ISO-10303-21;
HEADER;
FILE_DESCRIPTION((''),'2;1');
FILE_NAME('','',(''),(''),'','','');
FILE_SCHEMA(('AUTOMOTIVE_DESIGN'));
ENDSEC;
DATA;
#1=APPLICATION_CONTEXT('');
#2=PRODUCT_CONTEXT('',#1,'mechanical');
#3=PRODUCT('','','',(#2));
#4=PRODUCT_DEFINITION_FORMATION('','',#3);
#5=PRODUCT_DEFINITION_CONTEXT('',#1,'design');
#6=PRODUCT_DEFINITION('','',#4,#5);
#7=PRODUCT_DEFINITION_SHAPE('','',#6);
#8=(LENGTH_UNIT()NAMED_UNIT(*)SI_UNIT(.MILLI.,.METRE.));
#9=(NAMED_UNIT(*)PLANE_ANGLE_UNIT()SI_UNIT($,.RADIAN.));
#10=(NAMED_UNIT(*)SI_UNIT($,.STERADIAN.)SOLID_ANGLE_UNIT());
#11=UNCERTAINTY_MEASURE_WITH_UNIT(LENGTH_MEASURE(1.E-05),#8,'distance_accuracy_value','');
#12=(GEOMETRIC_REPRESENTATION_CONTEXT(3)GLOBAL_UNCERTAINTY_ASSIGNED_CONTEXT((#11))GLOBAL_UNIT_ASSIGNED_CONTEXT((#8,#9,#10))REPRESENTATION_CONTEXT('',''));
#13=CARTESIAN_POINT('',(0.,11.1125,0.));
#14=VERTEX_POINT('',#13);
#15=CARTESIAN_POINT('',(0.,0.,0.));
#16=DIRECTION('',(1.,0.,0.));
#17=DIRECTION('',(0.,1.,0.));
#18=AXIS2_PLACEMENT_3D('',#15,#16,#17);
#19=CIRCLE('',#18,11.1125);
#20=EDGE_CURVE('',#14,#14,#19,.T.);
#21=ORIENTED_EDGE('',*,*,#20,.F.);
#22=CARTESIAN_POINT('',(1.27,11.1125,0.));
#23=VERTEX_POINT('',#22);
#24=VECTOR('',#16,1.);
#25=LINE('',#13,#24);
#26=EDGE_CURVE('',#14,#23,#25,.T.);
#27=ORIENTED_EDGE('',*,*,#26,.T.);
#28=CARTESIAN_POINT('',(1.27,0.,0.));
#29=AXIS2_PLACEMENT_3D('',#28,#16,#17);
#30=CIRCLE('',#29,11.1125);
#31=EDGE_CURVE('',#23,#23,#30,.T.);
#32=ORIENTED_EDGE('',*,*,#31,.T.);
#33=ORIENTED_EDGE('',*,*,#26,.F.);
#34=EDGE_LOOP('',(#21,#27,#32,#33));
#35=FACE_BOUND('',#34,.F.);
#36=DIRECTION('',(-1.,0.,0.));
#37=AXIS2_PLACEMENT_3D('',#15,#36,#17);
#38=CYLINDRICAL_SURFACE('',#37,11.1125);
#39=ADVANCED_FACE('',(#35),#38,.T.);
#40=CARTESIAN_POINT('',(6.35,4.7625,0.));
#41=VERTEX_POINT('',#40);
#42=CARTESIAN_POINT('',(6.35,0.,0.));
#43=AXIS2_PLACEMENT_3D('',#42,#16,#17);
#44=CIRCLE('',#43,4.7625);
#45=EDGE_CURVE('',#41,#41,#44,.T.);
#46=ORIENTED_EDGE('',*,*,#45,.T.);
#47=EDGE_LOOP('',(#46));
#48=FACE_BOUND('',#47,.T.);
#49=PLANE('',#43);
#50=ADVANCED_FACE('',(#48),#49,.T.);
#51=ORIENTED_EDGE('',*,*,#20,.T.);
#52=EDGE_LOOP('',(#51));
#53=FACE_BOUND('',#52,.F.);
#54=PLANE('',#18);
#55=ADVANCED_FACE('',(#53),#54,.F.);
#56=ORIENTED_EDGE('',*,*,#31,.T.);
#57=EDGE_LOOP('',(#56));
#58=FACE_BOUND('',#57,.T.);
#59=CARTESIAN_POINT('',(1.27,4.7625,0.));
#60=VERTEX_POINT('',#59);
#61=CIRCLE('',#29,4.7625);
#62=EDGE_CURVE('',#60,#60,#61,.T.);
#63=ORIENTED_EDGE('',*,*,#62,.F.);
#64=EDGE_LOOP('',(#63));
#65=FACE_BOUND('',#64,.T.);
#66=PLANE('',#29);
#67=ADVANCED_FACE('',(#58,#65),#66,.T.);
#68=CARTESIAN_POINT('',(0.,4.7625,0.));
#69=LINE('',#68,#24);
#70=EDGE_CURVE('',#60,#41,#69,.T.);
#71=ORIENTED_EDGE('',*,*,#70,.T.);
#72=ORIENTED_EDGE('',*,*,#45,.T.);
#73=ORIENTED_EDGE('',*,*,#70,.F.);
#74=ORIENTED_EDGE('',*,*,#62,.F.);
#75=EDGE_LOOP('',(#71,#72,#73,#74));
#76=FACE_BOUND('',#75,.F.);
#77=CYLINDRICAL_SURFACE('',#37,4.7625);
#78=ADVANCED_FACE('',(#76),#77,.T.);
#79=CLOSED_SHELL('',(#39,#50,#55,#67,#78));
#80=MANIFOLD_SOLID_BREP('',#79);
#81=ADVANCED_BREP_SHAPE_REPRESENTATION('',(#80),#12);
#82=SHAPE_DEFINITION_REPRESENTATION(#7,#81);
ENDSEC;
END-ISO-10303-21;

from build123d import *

# Parameters (mm, degrees)
F0_R     = 11.1125
F0_R_2   = 4.7625
F1_DEPTH = 1.27
F2_DEPTH = 6.35


with BuildPart() as f1:
    # F0 (on Right) → F1 (new body)
    with BuildSketch(Plane.YZ):
        Circle(F0_R)
        Circle(F0_R_2, mode=Mode.SUBTRACT)
    extrude(amount=F1_DEPTH)

    # F0 (on Right) → F2 (join)
    with BuildSketch(Plane.YZ):
        Circle(F0_R_2)
    extrude(amount=F2_DEPTH)


solid = f1.part
